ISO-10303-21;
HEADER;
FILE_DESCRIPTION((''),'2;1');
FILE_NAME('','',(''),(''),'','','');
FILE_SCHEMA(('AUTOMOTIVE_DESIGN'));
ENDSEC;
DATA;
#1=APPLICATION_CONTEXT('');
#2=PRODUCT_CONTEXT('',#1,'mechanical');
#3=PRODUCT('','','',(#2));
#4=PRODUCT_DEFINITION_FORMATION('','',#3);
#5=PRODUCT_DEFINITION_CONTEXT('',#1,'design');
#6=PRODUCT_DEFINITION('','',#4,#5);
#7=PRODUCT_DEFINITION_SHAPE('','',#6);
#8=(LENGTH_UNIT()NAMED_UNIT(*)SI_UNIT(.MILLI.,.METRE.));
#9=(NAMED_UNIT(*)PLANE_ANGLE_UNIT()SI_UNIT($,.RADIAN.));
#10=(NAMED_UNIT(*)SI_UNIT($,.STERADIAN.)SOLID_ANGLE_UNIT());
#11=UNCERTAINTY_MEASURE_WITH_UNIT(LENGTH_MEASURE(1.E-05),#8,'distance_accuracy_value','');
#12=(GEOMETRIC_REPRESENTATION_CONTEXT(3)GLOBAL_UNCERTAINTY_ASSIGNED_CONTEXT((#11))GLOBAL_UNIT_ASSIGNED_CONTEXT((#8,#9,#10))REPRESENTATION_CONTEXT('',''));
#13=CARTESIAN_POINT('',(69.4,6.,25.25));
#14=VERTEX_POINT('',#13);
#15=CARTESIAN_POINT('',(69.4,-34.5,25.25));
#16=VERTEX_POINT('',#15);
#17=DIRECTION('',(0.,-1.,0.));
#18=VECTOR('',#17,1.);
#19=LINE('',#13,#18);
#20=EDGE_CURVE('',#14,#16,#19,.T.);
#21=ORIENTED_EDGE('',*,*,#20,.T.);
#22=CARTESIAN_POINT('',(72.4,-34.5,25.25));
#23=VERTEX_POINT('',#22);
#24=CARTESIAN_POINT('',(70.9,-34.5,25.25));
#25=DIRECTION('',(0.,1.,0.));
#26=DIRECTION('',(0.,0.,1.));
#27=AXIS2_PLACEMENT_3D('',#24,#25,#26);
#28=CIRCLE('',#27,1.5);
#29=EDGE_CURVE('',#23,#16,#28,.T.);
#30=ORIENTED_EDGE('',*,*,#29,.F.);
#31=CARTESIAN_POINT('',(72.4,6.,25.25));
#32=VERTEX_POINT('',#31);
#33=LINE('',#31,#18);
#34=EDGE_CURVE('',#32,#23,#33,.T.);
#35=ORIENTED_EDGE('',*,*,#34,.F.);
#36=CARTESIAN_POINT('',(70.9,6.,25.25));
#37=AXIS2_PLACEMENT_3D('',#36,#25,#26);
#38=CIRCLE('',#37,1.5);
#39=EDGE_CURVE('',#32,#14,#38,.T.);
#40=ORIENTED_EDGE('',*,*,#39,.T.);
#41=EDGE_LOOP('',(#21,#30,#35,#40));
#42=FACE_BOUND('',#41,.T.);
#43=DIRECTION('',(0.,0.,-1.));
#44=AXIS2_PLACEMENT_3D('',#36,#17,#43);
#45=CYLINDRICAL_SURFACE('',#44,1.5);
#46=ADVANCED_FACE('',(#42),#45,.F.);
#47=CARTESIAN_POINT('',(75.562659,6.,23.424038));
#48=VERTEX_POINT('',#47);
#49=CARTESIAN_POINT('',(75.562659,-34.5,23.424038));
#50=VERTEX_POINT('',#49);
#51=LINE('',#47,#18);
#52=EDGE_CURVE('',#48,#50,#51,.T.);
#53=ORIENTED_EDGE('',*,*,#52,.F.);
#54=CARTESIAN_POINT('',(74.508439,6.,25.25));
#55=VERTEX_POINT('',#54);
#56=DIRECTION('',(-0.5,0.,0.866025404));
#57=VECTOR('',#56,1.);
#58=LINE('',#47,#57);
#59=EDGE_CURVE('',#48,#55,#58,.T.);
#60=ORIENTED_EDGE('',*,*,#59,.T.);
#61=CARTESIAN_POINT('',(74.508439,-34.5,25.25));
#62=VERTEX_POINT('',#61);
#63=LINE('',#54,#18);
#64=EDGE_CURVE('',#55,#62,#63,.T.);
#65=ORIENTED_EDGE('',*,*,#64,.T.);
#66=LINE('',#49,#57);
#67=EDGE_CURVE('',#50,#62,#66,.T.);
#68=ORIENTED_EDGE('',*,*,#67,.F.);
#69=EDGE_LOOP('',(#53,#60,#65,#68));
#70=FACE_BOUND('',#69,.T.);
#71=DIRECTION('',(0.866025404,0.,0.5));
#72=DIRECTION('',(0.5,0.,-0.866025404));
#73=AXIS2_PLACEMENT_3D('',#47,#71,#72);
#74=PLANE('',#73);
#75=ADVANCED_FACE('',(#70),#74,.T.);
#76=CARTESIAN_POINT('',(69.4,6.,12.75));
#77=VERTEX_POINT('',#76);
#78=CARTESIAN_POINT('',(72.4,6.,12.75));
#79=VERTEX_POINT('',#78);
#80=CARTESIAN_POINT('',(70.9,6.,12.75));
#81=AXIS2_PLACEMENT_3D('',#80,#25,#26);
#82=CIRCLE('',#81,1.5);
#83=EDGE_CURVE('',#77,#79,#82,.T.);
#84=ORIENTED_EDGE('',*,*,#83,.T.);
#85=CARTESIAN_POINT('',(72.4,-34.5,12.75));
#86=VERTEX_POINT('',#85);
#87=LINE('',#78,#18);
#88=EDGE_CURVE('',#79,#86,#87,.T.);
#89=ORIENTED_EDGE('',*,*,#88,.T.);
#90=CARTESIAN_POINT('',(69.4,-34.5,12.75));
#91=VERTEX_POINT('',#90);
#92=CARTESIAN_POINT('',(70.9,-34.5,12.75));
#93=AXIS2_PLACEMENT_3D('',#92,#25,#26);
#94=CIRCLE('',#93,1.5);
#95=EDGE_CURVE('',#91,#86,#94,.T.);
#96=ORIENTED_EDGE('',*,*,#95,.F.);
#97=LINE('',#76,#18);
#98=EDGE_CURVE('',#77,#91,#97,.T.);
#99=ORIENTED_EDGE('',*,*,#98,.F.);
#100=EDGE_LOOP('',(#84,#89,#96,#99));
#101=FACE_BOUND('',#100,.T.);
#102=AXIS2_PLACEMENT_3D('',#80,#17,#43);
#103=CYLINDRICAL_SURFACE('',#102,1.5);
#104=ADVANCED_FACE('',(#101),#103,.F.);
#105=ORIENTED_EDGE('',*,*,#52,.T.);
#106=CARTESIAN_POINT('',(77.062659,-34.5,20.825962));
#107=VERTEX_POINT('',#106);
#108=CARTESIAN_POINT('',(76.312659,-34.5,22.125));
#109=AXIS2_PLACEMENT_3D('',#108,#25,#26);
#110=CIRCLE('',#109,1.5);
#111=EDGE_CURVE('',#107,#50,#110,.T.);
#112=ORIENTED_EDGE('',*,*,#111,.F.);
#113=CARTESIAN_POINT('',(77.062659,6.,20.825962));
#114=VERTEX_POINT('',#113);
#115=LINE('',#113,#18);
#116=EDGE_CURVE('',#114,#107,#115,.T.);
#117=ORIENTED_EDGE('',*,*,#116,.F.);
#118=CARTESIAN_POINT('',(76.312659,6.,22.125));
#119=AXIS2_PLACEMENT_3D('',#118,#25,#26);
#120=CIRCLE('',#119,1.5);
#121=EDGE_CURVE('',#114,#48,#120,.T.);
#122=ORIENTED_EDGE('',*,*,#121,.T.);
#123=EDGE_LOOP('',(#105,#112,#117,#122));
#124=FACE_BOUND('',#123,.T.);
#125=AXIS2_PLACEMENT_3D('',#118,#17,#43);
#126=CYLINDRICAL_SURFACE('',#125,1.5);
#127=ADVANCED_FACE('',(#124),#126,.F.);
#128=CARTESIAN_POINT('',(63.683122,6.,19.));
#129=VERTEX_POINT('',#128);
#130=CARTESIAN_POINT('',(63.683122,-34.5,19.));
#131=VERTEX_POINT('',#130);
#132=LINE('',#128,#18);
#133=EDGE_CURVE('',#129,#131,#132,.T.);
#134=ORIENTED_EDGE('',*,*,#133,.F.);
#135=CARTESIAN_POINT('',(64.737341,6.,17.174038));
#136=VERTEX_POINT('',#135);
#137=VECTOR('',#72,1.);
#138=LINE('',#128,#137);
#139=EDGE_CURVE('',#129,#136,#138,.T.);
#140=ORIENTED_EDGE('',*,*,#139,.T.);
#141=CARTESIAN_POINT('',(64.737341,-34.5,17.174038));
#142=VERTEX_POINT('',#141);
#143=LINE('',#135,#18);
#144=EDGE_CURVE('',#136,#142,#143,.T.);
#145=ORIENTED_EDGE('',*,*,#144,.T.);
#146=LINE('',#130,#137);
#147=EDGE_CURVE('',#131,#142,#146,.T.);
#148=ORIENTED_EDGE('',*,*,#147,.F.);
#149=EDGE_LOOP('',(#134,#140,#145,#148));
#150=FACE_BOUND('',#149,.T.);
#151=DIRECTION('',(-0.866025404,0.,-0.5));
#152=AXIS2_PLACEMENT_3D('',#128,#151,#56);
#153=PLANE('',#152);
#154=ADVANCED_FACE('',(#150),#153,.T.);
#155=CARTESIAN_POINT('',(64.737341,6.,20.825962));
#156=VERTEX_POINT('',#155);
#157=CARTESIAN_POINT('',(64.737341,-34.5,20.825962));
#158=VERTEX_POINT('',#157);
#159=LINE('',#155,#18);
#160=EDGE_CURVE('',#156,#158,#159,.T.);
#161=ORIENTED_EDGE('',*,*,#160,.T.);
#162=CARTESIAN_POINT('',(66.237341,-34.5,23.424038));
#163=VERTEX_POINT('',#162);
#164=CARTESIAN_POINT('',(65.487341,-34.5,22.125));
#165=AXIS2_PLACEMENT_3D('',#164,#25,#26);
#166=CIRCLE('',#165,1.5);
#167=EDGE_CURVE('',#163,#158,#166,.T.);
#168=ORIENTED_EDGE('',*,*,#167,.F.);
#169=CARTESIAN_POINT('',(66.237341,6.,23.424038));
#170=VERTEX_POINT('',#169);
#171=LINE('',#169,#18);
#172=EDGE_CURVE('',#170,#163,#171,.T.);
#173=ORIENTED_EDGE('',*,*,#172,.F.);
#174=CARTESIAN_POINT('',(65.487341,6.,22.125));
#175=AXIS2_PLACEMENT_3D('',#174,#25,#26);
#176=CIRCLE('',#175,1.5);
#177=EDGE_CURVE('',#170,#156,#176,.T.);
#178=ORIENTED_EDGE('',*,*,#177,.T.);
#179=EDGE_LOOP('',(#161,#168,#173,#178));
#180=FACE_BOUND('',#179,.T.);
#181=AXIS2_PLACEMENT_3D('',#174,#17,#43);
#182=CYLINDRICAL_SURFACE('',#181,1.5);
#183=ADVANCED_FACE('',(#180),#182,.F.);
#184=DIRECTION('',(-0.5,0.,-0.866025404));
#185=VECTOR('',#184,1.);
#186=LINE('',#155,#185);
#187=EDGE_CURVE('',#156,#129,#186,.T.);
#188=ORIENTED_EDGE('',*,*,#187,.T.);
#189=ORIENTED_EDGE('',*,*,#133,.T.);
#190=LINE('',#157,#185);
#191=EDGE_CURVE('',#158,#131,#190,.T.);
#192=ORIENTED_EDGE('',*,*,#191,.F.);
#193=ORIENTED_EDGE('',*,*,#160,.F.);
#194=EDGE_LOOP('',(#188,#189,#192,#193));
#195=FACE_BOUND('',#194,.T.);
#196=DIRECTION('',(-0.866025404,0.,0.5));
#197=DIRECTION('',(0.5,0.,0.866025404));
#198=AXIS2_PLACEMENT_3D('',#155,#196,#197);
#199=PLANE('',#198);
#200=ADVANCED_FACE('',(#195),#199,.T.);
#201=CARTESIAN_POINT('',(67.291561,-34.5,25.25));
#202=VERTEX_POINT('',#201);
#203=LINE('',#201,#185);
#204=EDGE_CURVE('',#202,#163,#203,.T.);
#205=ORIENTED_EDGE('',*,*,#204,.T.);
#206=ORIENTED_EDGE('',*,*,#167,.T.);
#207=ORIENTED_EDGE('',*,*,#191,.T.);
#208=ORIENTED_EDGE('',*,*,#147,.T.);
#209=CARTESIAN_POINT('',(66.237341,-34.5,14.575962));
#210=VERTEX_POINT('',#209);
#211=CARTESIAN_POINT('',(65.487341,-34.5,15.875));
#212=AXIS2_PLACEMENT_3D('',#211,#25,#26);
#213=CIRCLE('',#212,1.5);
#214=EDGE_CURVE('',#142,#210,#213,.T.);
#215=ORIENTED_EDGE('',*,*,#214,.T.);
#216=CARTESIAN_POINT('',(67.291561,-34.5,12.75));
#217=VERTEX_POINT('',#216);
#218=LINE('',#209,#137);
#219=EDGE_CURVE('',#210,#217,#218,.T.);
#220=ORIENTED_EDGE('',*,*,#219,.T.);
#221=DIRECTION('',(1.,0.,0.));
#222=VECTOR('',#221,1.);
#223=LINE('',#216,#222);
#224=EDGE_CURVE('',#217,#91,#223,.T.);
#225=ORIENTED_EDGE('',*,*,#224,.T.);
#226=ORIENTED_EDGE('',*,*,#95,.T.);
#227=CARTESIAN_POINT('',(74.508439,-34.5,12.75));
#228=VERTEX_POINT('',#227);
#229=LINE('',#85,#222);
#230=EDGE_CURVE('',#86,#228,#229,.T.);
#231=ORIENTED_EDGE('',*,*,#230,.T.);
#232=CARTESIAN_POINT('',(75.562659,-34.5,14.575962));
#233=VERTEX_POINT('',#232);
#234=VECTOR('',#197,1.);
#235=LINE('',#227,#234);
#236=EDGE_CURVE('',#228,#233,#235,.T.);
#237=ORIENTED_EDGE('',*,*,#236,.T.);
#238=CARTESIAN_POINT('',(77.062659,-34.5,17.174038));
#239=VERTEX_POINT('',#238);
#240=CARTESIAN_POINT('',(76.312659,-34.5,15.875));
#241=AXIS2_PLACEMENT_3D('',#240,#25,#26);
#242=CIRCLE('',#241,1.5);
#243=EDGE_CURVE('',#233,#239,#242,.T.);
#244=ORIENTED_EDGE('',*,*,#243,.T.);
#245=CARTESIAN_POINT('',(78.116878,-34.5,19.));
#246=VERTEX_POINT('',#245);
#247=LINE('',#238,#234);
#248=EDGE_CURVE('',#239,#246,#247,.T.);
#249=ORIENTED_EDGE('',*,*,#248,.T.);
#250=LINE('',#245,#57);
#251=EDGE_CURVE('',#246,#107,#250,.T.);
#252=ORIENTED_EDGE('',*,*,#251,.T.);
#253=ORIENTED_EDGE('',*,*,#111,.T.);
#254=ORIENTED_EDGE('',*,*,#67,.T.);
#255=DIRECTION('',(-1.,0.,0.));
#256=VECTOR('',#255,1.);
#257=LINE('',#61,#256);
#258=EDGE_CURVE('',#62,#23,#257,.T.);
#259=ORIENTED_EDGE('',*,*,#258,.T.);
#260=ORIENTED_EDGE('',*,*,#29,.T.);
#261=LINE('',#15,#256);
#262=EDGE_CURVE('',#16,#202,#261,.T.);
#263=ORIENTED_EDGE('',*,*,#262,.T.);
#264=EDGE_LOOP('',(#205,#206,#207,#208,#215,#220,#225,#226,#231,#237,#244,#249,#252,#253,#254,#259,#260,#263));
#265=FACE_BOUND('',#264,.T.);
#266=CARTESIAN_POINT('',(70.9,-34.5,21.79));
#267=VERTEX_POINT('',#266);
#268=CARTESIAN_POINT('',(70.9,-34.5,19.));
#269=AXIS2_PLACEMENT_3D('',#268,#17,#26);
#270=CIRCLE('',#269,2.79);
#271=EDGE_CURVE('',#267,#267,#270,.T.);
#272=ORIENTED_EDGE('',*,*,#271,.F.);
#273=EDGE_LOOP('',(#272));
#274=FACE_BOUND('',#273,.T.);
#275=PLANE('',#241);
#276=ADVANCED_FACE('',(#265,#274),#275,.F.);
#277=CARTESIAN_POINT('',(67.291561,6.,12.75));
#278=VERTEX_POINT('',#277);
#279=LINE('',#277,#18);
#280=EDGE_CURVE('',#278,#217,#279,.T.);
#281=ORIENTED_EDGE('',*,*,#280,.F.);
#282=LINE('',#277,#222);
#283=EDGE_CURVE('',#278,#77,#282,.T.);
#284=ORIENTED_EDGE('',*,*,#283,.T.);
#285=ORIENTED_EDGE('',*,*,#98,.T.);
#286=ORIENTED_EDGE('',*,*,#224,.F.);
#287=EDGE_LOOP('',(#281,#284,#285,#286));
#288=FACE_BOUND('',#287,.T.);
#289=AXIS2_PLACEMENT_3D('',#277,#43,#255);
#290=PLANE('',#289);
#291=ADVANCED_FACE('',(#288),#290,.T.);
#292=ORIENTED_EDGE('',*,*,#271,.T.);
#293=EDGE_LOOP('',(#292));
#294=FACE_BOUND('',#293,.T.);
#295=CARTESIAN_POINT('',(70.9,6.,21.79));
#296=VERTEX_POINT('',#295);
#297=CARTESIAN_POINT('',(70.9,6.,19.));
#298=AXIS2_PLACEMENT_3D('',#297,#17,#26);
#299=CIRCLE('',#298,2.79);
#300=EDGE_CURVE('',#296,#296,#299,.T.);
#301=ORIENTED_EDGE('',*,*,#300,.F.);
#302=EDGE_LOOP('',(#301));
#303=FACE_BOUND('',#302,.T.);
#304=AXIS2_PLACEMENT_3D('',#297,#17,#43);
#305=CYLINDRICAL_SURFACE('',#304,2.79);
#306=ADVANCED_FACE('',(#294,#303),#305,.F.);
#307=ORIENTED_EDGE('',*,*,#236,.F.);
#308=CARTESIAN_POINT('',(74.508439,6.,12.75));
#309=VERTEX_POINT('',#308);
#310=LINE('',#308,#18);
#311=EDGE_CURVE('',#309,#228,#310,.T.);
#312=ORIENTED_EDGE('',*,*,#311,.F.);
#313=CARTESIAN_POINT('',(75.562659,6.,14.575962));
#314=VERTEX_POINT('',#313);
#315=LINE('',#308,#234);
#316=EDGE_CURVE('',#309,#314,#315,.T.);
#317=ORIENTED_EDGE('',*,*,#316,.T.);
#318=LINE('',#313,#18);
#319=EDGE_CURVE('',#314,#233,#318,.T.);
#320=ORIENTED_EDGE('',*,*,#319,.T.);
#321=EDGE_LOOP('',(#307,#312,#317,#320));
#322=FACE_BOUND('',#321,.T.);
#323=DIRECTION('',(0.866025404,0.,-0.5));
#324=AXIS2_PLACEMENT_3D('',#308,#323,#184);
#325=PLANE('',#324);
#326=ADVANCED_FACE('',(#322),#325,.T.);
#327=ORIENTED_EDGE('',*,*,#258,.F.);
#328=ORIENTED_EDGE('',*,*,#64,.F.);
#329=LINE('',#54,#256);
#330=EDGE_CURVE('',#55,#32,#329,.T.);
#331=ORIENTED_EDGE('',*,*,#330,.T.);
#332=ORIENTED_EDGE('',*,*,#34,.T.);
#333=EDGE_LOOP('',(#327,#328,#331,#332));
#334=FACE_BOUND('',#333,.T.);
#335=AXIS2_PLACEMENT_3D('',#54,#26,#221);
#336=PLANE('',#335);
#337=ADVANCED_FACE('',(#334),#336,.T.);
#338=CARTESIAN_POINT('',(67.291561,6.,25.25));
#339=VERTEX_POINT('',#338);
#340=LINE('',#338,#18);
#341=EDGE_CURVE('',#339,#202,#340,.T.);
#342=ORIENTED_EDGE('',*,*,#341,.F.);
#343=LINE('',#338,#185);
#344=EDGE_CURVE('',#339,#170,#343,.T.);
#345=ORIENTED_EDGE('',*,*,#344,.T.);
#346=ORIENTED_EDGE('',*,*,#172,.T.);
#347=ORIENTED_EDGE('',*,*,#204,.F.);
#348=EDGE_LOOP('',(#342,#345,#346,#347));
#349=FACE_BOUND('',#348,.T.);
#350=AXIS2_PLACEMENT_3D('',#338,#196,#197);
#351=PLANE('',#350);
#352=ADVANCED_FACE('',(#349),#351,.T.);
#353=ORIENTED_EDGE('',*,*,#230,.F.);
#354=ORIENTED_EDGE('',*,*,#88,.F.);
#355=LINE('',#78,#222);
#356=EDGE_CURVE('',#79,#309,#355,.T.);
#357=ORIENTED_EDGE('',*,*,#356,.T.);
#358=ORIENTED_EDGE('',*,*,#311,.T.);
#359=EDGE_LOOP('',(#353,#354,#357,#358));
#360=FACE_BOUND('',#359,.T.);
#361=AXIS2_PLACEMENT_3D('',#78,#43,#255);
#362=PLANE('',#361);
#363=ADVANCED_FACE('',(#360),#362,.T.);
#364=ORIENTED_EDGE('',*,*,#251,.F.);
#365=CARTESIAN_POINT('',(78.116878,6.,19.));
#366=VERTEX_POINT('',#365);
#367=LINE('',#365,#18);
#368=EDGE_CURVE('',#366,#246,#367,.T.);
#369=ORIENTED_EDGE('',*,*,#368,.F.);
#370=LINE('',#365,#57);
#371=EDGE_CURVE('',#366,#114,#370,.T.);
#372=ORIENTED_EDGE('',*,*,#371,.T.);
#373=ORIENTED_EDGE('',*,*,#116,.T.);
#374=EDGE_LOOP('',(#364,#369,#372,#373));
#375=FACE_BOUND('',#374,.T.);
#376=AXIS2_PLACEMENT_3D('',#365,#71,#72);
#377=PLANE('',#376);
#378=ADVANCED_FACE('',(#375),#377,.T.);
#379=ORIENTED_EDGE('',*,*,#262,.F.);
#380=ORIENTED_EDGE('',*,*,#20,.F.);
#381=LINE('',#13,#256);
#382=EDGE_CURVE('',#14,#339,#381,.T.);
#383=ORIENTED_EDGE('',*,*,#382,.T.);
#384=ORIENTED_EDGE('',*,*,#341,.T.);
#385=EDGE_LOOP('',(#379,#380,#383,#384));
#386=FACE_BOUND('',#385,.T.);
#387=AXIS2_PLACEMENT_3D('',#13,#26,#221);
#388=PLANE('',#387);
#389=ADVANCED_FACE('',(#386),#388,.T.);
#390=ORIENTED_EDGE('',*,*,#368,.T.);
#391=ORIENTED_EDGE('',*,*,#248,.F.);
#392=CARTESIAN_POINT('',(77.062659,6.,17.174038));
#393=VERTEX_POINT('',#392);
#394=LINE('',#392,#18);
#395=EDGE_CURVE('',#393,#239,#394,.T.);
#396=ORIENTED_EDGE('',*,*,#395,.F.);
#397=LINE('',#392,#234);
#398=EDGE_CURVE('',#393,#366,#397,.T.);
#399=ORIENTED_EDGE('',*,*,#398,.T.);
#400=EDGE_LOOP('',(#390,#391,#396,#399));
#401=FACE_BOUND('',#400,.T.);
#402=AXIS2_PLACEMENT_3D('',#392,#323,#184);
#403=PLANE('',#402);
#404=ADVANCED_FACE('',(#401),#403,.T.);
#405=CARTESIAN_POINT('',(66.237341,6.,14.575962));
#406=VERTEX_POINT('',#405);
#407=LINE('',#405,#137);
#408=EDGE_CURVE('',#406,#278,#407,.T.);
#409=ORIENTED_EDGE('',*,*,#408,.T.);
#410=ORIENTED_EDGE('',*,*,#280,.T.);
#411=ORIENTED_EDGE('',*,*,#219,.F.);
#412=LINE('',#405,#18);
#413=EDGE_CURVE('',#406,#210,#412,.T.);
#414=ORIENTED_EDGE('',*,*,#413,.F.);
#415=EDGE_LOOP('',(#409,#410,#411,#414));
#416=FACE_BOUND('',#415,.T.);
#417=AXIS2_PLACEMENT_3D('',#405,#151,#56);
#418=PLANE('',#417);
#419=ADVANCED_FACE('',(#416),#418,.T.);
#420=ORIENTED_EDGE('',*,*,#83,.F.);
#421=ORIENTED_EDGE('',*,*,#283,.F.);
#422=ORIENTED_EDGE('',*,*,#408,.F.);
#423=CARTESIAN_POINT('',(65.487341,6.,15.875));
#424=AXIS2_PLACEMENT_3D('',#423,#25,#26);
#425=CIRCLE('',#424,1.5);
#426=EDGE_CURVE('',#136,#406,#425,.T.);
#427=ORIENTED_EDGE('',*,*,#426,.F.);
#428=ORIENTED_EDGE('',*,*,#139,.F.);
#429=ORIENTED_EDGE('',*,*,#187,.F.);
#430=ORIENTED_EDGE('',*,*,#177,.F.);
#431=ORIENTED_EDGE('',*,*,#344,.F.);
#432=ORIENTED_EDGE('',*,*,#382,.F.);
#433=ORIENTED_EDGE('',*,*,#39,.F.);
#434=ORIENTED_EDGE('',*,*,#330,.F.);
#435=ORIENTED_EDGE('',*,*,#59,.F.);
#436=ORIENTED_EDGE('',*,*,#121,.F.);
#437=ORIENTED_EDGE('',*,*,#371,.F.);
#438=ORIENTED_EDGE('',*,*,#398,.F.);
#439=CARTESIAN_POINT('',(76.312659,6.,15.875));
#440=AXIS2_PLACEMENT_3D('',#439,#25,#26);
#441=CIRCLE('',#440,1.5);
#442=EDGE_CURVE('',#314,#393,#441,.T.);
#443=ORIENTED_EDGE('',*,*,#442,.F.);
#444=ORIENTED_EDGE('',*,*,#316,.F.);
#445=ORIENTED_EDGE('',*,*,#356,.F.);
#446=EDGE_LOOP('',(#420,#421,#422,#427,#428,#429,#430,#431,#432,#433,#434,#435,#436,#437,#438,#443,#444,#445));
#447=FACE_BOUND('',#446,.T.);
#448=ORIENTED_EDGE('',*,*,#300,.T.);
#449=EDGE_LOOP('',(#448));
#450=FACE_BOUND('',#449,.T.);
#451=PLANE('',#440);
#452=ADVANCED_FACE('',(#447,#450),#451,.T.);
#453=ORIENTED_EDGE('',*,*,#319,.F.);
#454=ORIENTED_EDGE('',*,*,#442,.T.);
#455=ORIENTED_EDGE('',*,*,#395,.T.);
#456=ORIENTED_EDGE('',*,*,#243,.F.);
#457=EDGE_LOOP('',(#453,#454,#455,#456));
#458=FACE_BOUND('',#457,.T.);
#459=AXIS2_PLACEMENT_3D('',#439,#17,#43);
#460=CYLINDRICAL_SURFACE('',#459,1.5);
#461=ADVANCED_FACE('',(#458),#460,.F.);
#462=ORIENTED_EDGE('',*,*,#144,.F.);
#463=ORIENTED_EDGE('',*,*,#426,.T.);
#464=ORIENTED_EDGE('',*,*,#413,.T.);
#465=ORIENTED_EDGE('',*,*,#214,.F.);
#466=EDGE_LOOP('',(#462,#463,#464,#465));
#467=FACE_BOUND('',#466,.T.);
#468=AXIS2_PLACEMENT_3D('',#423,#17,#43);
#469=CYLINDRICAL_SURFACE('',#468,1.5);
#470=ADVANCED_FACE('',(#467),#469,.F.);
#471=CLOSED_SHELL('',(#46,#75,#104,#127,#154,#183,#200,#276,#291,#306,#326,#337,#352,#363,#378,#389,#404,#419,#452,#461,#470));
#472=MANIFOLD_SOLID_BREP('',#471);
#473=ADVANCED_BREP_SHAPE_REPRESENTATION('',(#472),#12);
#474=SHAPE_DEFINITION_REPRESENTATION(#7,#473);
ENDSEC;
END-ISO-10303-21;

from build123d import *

# Parameters (mm, degrees)
ESBO_O1_R                = 2.79
RESSALTO_EXTRUS_O1_DEPTH = 40.5


with BuildPart() as part:
    # Esboço1 → Ressalto-extrusão1 (new body)
    with BuildSketch(Plane.XZ.offset(34.5)):
        with BuildLine():
            Line((77.062658774, 17.174038106), (78.116878365, 19))
            Line((78.116878365, 19), (77.062658774, 20.825961894))
            ThreePointArc((77.062658774, 20.825961894), (75.013620668, 21.375), (75.562658774, 23.424038106))
            Line((75.562658774, 23.424038106), (74.508439182, 25.25))
            Line((74.508439182, 25.25), (72.4, 25.25))
            ThreePointArc((72.4, 25.25), (70.9, 23.75), (69.4, 25.25))
            Line((69.4, 25.25), (67.291560818, 25.25))
            Line((67.291560818, 25.25), (66.237341226, 23.424038106))
            ThreePointArc((66.237341226, 23.424038106), (66.786379332, 21.375), (64.737341226, 20.825961894))
            Line((64.737341226, 20.825961894), (63.683121635, 19))
            Line((63.683121635, 19), (64.737341226, 17.174038106))
            ThreePointArc((64.737341226, 17.174038106), (66.786379332, 16.625), (66.237341226, 14.575961894))
            Line((66.237341226, 14.575961894), (67.291560818, 12.75))
            Line((67.291560818, 12.75), (69.4, 12.75))
            ThreePointArc((69.4, 12.75), (70.9, 14.25), (72.4, 12.75))
            Line((72.4, 12.75), (74.508439182, 12.75))
            Line((74.508439182, 12.75), (75.562658774, 14.575961894))
            ThreePointArc((75.562658774, 14.575961894), (75.013620668, 16.625), (77.062658774, 17.174038106))
        make_face()
        with Locations(Location((70.9, 19, 0), (0, 0, 90))):
            Circle(ESBO_O1_R, mode=Mode.SUBTRACT)
    extrude(amount=-RESSALTO_EXTRUS_O1_DEPTH)


solid = part.part
